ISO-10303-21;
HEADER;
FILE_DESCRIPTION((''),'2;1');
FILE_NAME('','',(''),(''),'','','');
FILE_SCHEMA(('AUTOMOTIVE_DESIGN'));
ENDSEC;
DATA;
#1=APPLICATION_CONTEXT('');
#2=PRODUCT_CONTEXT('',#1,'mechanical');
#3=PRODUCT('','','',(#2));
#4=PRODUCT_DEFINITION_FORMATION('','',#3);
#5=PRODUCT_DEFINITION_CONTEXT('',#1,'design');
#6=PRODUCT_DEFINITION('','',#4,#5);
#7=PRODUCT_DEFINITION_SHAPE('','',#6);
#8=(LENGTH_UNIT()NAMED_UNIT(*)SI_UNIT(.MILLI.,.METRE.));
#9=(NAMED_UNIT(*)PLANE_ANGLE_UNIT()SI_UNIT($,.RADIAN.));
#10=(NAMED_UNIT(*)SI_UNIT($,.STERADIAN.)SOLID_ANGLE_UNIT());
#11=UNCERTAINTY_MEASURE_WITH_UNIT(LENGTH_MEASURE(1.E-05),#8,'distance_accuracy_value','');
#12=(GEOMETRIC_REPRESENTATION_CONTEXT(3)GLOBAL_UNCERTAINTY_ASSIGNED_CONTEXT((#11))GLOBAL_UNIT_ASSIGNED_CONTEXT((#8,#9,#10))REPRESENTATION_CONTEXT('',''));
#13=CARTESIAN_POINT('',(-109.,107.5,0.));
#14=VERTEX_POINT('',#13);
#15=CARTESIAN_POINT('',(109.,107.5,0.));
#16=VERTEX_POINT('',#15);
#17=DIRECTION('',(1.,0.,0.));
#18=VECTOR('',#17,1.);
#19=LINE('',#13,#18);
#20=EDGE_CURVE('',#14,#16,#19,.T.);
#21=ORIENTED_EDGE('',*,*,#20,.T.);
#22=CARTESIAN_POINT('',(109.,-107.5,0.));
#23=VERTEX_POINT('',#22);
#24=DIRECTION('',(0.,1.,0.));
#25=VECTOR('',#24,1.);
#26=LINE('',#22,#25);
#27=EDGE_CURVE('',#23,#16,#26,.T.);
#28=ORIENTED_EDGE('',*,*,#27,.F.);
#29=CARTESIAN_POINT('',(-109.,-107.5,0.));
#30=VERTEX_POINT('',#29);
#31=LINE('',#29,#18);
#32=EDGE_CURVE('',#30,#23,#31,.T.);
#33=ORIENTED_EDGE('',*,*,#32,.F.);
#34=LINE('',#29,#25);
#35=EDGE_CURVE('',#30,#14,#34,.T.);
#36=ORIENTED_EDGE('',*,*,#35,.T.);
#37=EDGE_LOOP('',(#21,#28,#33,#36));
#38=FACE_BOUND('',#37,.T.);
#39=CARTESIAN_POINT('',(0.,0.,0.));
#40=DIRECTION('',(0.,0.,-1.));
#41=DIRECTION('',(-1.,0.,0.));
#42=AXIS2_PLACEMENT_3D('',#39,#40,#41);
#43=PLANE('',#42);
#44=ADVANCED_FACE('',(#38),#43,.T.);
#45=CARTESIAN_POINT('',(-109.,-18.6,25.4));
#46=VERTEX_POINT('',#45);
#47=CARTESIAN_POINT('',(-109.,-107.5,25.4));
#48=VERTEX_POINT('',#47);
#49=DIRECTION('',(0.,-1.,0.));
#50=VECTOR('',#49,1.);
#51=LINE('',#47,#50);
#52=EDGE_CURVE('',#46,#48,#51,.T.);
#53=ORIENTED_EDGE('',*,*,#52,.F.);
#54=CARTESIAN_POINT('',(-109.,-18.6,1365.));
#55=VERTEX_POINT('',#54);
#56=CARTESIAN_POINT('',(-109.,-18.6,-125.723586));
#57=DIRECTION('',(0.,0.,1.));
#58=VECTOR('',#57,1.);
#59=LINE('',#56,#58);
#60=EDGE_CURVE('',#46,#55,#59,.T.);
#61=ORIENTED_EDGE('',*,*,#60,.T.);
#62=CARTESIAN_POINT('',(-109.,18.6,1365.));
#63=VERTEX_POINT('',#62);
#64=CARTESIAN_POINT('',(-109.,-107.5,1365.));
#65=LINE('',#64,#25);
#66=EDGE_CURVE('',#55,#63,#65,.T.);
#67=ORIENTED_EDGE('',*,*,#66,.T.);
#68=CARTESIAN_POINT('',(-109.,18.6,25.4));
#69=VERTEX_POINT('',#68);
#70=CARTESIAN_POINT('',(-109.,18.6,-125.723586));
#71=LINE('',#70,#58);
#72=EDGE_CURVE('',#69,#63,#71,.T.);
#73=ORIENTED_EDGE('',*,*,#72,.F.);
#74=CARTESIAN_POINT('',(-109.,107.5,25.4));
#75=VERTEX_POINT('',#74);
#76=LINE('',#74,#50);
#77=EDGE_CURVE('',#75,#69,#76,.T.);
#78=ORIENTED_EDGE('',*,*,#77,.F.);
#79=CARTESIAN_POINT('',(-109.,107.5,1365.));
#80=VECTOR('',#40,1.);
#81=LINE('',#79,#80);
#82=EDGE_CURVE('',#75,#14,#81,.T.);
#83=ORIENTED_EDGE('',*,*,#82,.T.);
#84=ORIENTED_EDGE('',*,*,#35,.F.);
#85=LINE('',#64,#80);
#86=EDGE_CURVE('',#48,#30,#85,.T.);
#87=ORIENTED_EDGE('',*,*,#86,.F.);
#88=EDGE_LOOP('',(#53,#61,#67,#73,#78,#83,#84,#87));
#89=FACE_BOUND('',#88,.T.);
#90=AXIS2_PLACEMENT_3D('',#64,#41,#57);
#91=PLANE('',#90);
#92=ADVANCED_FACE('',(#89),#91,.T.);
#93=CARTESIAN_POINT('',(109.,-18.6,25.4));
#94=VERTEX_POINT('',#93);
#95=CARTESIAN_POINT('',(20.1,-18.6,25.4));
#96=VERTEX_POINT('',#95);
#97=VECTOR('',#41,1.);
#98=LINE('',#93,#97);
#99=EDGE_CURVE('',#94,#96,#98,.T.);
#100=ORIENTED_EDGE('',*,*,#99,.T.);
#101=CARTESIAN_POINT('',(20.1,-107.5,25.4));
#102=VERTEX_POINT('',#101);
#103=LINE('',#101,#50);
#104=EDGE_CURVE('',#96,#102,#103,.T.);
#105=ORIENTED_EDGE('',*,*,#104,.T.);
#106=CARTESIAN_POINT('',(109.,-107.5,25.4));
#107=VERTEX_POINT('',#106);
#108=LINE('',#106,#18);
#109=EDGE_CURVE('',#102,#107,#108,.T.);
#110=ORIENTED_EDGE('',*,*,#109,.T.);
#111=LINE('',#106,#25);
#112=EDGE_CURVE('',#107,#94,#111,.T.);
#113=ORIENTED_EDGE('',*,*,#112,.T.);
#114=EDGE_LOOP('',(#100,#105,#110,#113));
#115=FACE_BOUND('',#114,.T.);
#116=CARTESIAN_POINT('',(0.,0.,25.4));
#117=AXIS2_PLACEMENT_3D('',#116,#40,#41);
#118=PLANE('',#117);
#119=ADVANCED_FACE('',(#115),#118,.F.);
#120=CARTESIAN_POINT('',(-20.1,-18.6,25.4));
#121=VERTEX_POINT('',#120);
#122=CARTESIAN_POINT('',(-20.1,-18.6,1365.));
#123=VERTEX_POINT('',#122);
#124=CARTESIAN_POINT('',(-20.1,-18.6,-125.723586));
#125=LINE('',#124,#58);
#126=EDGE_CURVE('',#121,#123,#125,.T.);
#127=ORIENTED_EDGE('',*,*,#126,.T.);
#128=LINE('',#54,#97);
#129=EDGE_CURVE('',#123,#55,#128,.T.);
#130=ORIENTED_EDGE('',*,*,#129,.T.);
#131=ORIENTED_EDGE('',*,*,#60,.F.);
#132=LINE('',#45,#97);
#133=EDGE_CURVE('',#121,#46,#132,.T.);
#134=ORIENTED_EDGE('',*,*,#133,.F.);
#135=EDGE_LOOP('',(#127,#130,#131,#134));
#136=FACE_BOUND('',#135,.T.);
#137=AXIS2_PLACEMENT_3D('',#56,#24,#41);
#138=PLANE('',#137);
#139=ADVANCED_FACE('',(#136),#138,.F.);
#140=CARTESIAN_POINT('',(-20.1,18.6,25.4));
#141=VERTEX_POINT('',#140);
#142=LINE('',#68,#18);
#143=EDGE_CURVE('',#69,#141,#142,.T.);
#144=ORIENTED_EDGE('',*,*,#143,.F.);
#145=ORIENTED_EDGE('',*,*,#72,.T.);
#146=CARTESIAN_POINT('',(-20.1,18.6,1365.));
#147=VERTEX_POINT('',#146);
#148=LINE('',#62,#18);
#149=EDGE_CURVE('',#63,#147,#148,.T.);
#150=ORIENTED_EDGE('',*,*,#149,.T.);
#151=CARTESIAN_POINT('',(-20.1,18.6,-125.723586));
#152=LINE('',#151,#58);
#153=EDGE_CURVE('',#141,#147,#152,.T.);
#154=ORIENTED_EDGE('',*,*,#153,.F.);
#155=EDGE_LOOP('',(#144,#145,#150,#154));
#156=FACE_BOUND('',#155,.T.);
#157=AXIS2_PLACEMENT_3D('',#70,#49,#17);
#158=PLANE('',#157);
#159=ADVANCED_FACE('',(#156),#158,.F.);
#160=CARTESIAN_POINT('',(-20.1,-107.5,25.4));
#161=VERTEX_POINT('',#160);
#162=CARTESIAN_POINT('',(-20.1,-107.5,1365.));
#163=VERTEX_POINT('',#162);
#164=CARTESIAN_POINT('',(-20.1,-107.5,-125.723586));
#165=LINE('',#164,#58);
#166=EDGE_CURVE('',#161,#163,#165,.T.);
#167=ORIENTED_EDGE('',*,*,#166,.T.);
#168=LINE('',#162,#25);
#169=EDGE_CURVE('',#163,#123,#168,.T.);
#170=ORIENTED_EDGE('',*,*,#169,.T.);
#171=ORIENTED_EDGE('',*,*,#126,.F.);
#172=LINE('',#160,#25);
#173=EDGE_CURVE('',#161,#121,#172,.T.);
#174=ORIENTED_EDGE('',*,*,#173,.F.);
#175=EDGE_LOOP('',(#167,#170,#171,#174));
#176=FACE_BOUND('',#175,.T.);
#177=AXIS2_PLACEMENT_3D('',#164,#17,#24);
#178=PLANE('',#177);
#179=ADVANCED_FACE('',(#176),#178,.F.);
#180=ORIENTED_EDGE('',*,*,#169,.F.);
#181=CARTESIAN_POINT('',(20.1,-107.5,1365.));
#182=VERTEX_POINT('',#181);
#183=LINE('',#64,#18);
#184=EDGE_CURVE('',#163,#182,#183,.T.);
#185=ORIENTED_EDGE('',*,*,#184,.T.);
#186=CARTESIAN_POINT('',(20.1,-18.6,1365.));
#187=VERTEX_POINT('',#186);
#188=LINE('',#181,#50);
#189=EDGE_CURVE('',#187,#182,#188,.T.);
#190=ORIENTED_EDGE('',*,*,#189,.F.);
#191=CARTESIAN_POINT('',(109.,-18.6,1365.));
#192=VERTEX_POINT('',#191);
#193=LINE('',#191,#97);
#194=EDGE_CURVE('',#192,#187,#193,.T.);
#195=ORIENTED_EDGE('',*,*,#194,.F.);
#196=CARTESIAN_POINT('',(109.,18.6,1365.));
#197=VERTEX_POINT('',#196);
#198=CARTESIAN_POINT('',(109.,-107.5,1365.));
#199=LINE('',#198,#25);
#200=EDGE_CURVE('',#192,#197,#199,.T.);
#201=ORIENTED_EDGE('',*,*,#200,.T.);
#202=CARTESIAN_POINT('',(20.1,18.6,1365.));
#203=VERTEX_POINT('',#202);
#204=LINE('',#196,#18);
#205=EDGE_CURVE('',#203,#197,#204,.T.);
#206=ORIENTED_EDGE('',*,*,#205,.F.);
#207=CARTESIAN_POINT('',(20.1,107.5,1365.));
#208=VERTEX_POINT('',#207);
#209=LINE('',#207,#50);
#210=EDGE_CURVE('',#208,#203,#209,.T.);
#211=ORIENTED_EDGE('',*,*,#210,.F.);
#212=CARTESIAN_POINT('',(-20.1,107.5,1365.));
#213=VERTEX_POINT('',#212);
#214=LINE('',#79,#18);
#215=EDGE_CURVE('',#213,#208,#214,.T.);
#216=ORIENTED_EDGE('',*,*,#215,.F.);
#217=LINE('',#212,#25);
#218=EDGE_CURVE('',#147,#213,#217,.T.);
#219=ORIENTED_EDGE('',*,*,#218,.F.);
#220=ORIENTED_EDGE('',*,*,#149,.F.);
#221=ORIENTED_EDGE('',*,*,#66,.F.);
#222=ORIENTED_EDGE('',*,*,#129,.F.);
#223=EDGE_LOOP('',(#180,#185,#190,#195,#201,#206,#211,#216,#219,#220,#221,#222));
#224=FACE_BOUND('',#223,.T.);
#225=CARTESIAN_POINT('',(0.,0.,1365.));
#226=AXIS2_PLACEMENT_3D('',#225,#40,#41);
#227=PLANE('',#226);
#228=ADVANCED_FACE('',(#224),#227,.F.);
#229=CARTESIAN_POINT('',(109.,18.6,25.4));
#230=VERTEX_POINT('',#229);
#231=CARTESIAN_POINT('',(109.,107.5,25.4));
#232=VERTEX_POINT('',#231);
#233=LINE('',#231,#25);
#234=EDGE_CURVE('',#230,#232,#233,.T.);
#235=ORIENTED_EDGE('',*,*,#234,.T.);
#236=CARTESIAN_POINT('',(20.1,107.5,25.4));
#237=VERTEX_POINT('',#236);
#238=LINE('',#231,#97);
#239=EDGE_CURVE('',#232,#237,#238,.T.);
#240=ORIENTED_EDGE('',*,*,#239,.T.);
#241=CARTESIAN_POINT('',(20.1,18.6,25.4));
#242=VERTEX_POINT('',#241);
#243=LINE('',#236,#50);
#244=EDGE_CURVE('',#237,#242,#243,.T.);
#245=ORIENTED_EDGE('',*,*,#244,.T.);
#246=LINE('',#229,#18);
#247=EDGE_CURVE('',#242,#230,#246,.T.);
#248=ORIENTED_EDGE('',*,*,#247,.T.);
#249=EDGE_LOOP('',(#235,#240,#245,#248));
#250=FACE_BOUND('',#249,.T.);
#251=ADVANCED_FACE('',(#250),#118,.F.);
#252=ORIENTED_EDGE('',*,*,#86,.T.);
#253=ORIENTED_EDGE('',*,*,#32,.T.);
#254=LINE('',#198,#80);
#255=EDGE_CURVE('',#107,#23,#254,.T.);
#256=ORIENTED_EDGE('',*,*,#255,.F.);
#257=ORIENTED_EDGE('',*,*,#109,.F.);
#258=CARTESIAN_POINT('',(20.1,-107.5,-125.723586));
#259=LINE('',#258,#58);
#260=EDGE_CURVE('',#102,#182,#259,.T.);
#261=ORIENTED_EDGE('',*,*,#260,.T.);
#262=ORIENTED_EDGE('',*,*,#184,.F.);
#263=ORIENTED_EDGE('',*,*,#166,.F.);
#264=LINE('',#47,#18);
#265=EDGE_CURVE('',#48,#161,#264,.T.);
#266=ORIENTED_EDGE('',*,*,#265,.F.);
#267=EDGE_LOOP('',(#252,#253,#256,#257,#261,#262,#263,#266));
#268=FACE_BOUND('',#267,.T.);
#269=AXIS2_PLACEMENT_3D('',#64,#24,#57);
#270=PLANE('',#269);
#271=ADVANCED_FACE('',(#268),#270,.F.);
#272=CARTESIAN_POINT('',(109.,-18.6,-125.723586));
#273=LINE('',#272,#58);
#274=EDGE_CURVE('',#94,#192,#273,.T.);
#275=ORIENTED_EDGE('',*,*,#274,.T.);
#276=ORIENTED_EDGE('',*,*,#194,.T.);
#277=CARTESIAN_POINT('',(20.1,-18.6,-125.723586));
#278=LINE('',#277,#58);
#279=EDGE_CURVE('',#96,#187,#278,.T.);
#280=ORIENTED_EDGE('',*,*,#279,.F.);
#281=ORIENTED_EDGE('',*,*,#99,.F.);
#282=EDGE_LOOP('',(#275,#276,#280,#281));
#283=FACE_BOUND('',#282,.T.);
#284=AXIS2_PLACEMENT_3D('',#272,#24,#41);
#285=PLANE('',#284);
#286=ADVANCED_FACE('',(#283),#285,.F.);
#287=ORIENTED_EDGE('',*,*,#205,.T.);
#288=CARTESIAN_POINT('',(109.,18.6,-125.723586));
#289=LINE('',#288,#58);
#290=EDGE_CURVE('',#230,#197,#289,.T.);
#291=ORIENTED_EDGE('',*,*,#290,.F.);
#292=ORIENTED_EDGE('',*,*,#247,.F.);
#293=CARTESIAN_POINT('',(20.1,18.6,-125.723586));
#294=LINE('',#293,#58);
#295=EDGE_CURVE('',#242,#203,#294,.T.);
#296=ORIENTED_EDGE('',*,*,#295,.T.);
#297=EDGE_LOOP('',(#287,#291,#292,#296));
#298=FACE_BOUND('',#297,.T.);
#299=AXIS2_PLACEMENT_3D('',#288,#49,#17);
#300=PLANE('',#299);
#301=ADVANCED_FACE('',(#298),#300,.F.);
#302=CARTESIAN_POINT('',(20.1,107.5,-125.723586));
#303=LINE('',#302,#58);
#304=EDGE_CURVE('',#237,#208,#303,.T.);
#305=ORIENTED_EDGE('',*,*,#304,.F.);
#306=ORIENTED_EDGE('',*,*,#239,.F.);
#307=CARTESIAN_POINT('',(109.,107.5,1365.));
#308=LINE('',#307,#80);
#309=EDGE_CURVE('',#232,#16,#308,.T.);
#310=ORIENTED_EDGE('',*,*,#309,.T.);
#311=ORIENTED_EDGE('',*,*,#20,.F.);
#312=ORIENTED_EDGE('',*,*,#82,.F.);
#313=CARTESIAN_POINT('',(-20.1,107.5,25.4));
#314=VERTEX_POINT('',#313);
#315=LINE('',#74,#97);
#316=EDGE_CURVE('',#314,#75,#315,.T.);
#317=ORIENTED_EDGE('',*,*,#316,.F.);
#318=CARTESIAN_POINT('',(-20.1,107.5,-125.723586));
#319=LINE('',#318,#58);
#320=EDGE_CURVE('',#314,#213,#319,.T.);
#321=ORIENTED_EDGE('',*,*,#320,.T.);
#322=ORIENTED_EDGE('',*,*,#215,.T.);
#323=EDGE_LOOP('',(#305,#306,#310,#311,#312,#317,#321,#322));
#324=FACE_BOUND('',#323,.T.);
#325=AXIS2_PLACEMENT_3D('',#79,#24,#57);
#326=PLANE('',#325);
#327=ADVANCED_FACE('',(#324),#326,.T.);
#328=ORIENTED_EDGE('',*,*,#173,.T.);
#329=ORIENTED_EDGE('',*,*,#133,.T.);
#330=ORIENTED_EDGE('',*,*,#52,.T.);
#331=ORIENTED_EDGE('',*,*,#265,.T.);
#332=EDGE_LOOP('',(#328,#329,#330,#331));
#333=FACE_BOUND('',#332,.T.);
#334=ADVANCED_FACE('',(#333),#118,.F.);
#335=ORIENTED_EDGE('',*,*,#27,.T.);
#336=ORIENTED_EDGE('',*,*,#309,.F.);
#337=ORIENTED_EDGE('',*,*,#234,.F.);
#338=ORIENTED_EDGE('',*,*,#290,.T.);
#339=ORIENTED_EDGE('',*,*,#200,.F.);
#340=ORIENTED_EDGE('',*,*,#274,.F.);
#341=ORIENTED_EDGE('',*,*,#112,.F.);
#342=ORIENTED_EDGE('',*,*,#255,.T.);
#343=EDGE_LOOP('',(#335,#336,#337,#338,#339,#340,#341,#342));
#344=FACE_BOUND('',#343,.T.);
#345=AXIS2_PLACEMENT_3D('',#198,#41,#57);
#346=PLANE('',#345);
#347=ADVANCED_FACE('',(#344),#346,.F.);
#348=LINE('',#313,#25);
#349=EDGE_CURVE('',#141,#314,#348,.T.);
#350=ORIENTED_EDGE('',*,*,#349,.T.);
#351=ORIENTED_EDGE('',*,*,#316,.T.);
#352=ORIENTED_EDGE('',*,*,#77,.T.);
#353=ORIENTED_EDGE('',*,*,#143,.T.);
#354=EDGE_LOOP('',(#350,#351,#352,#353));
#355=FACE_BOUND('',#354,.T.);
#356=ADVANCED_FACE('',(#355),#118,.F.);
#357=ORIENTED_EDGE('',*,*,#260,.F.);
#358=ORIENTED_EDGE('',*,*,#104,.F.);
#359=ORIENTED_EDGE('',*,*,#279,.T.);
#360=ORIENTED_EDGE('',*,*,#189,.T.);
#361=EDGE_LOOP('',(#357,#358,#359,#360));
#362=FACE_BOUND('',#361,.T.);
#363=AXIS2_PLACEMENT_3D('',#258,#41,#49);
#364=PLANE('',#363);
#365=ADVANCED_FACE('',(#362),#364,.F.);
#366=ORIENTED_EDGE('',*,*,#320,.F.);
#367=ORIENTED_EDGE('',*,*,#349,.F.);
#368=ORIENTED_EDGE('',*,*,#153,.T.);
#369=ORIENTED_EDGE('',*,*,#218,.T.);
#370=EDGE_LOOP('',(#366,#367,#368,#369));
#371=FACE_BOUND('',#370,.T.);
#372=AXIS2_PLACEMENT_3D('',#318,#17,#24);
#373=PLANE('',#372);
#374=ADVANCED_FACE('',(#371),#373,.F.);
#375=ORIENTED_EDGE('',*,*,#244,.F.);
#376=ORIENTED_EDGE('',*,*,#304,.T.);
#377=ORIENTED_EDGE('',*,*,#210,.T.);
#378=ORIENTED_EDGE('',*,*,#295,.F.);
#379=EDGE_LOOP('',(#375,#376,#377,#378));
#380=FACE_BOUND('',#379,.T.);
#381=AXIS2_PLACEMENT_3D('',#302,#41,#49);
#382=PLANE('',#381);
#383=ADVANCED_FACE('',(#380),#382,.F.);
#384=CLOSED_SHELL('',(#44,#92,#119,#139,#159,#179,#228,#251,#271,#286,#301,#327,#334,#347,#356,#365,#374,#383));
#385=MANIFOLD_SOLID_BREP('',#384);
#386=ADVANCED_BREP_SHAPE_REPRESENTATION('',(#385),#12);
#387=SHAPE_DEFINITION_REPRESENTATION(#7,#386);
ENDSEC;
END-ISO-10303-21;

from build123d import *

# Parameters (mm, degrees)
SKETCH1_W           = 218
SKETCH1_H           = 215
BOSS_EXTRUDE1_DEPTH = 1365
SKETCH2_W           = 88.9
SKETCH2_H           = 88.9
CUT_EXTRUDE1_DEPTH  = 1339.6


with BuildPart() as part:
    # Sketch1 → Boss-Extrude1 (new body)
    with BuildSketch(Plane.XY):
        Rectangle(SKETCH1_W, SKETCH1_H)
    extrude(amount=BOSS_EXTRUDE1_DEPTH)

    # Sketch2 → Cut-Extrude1 (cut)
    with BuildSketch(Plane.XY.offset(1365)):
        with Locations((64.55, 63.05)):
            Rectangle(SKETCH2_W, SKETCH2_H)
        with Locations((-64.55, 63.05)):
            Rectangle(SKETCH2_W, SKETCH2_H)
        with Locations((64.55, -63.05)):
            Rectangle(SKETCH2_W, SKETCH2_H)
        with Locations((-64.55, -63.05)):
            Rectangle(SKETCH2_W, SKETCH2_H)
    extrude(amount=-CUT_EXTRUDE1_DEPTH, mode=Mode.SUBTRACT)


solid = part.part
